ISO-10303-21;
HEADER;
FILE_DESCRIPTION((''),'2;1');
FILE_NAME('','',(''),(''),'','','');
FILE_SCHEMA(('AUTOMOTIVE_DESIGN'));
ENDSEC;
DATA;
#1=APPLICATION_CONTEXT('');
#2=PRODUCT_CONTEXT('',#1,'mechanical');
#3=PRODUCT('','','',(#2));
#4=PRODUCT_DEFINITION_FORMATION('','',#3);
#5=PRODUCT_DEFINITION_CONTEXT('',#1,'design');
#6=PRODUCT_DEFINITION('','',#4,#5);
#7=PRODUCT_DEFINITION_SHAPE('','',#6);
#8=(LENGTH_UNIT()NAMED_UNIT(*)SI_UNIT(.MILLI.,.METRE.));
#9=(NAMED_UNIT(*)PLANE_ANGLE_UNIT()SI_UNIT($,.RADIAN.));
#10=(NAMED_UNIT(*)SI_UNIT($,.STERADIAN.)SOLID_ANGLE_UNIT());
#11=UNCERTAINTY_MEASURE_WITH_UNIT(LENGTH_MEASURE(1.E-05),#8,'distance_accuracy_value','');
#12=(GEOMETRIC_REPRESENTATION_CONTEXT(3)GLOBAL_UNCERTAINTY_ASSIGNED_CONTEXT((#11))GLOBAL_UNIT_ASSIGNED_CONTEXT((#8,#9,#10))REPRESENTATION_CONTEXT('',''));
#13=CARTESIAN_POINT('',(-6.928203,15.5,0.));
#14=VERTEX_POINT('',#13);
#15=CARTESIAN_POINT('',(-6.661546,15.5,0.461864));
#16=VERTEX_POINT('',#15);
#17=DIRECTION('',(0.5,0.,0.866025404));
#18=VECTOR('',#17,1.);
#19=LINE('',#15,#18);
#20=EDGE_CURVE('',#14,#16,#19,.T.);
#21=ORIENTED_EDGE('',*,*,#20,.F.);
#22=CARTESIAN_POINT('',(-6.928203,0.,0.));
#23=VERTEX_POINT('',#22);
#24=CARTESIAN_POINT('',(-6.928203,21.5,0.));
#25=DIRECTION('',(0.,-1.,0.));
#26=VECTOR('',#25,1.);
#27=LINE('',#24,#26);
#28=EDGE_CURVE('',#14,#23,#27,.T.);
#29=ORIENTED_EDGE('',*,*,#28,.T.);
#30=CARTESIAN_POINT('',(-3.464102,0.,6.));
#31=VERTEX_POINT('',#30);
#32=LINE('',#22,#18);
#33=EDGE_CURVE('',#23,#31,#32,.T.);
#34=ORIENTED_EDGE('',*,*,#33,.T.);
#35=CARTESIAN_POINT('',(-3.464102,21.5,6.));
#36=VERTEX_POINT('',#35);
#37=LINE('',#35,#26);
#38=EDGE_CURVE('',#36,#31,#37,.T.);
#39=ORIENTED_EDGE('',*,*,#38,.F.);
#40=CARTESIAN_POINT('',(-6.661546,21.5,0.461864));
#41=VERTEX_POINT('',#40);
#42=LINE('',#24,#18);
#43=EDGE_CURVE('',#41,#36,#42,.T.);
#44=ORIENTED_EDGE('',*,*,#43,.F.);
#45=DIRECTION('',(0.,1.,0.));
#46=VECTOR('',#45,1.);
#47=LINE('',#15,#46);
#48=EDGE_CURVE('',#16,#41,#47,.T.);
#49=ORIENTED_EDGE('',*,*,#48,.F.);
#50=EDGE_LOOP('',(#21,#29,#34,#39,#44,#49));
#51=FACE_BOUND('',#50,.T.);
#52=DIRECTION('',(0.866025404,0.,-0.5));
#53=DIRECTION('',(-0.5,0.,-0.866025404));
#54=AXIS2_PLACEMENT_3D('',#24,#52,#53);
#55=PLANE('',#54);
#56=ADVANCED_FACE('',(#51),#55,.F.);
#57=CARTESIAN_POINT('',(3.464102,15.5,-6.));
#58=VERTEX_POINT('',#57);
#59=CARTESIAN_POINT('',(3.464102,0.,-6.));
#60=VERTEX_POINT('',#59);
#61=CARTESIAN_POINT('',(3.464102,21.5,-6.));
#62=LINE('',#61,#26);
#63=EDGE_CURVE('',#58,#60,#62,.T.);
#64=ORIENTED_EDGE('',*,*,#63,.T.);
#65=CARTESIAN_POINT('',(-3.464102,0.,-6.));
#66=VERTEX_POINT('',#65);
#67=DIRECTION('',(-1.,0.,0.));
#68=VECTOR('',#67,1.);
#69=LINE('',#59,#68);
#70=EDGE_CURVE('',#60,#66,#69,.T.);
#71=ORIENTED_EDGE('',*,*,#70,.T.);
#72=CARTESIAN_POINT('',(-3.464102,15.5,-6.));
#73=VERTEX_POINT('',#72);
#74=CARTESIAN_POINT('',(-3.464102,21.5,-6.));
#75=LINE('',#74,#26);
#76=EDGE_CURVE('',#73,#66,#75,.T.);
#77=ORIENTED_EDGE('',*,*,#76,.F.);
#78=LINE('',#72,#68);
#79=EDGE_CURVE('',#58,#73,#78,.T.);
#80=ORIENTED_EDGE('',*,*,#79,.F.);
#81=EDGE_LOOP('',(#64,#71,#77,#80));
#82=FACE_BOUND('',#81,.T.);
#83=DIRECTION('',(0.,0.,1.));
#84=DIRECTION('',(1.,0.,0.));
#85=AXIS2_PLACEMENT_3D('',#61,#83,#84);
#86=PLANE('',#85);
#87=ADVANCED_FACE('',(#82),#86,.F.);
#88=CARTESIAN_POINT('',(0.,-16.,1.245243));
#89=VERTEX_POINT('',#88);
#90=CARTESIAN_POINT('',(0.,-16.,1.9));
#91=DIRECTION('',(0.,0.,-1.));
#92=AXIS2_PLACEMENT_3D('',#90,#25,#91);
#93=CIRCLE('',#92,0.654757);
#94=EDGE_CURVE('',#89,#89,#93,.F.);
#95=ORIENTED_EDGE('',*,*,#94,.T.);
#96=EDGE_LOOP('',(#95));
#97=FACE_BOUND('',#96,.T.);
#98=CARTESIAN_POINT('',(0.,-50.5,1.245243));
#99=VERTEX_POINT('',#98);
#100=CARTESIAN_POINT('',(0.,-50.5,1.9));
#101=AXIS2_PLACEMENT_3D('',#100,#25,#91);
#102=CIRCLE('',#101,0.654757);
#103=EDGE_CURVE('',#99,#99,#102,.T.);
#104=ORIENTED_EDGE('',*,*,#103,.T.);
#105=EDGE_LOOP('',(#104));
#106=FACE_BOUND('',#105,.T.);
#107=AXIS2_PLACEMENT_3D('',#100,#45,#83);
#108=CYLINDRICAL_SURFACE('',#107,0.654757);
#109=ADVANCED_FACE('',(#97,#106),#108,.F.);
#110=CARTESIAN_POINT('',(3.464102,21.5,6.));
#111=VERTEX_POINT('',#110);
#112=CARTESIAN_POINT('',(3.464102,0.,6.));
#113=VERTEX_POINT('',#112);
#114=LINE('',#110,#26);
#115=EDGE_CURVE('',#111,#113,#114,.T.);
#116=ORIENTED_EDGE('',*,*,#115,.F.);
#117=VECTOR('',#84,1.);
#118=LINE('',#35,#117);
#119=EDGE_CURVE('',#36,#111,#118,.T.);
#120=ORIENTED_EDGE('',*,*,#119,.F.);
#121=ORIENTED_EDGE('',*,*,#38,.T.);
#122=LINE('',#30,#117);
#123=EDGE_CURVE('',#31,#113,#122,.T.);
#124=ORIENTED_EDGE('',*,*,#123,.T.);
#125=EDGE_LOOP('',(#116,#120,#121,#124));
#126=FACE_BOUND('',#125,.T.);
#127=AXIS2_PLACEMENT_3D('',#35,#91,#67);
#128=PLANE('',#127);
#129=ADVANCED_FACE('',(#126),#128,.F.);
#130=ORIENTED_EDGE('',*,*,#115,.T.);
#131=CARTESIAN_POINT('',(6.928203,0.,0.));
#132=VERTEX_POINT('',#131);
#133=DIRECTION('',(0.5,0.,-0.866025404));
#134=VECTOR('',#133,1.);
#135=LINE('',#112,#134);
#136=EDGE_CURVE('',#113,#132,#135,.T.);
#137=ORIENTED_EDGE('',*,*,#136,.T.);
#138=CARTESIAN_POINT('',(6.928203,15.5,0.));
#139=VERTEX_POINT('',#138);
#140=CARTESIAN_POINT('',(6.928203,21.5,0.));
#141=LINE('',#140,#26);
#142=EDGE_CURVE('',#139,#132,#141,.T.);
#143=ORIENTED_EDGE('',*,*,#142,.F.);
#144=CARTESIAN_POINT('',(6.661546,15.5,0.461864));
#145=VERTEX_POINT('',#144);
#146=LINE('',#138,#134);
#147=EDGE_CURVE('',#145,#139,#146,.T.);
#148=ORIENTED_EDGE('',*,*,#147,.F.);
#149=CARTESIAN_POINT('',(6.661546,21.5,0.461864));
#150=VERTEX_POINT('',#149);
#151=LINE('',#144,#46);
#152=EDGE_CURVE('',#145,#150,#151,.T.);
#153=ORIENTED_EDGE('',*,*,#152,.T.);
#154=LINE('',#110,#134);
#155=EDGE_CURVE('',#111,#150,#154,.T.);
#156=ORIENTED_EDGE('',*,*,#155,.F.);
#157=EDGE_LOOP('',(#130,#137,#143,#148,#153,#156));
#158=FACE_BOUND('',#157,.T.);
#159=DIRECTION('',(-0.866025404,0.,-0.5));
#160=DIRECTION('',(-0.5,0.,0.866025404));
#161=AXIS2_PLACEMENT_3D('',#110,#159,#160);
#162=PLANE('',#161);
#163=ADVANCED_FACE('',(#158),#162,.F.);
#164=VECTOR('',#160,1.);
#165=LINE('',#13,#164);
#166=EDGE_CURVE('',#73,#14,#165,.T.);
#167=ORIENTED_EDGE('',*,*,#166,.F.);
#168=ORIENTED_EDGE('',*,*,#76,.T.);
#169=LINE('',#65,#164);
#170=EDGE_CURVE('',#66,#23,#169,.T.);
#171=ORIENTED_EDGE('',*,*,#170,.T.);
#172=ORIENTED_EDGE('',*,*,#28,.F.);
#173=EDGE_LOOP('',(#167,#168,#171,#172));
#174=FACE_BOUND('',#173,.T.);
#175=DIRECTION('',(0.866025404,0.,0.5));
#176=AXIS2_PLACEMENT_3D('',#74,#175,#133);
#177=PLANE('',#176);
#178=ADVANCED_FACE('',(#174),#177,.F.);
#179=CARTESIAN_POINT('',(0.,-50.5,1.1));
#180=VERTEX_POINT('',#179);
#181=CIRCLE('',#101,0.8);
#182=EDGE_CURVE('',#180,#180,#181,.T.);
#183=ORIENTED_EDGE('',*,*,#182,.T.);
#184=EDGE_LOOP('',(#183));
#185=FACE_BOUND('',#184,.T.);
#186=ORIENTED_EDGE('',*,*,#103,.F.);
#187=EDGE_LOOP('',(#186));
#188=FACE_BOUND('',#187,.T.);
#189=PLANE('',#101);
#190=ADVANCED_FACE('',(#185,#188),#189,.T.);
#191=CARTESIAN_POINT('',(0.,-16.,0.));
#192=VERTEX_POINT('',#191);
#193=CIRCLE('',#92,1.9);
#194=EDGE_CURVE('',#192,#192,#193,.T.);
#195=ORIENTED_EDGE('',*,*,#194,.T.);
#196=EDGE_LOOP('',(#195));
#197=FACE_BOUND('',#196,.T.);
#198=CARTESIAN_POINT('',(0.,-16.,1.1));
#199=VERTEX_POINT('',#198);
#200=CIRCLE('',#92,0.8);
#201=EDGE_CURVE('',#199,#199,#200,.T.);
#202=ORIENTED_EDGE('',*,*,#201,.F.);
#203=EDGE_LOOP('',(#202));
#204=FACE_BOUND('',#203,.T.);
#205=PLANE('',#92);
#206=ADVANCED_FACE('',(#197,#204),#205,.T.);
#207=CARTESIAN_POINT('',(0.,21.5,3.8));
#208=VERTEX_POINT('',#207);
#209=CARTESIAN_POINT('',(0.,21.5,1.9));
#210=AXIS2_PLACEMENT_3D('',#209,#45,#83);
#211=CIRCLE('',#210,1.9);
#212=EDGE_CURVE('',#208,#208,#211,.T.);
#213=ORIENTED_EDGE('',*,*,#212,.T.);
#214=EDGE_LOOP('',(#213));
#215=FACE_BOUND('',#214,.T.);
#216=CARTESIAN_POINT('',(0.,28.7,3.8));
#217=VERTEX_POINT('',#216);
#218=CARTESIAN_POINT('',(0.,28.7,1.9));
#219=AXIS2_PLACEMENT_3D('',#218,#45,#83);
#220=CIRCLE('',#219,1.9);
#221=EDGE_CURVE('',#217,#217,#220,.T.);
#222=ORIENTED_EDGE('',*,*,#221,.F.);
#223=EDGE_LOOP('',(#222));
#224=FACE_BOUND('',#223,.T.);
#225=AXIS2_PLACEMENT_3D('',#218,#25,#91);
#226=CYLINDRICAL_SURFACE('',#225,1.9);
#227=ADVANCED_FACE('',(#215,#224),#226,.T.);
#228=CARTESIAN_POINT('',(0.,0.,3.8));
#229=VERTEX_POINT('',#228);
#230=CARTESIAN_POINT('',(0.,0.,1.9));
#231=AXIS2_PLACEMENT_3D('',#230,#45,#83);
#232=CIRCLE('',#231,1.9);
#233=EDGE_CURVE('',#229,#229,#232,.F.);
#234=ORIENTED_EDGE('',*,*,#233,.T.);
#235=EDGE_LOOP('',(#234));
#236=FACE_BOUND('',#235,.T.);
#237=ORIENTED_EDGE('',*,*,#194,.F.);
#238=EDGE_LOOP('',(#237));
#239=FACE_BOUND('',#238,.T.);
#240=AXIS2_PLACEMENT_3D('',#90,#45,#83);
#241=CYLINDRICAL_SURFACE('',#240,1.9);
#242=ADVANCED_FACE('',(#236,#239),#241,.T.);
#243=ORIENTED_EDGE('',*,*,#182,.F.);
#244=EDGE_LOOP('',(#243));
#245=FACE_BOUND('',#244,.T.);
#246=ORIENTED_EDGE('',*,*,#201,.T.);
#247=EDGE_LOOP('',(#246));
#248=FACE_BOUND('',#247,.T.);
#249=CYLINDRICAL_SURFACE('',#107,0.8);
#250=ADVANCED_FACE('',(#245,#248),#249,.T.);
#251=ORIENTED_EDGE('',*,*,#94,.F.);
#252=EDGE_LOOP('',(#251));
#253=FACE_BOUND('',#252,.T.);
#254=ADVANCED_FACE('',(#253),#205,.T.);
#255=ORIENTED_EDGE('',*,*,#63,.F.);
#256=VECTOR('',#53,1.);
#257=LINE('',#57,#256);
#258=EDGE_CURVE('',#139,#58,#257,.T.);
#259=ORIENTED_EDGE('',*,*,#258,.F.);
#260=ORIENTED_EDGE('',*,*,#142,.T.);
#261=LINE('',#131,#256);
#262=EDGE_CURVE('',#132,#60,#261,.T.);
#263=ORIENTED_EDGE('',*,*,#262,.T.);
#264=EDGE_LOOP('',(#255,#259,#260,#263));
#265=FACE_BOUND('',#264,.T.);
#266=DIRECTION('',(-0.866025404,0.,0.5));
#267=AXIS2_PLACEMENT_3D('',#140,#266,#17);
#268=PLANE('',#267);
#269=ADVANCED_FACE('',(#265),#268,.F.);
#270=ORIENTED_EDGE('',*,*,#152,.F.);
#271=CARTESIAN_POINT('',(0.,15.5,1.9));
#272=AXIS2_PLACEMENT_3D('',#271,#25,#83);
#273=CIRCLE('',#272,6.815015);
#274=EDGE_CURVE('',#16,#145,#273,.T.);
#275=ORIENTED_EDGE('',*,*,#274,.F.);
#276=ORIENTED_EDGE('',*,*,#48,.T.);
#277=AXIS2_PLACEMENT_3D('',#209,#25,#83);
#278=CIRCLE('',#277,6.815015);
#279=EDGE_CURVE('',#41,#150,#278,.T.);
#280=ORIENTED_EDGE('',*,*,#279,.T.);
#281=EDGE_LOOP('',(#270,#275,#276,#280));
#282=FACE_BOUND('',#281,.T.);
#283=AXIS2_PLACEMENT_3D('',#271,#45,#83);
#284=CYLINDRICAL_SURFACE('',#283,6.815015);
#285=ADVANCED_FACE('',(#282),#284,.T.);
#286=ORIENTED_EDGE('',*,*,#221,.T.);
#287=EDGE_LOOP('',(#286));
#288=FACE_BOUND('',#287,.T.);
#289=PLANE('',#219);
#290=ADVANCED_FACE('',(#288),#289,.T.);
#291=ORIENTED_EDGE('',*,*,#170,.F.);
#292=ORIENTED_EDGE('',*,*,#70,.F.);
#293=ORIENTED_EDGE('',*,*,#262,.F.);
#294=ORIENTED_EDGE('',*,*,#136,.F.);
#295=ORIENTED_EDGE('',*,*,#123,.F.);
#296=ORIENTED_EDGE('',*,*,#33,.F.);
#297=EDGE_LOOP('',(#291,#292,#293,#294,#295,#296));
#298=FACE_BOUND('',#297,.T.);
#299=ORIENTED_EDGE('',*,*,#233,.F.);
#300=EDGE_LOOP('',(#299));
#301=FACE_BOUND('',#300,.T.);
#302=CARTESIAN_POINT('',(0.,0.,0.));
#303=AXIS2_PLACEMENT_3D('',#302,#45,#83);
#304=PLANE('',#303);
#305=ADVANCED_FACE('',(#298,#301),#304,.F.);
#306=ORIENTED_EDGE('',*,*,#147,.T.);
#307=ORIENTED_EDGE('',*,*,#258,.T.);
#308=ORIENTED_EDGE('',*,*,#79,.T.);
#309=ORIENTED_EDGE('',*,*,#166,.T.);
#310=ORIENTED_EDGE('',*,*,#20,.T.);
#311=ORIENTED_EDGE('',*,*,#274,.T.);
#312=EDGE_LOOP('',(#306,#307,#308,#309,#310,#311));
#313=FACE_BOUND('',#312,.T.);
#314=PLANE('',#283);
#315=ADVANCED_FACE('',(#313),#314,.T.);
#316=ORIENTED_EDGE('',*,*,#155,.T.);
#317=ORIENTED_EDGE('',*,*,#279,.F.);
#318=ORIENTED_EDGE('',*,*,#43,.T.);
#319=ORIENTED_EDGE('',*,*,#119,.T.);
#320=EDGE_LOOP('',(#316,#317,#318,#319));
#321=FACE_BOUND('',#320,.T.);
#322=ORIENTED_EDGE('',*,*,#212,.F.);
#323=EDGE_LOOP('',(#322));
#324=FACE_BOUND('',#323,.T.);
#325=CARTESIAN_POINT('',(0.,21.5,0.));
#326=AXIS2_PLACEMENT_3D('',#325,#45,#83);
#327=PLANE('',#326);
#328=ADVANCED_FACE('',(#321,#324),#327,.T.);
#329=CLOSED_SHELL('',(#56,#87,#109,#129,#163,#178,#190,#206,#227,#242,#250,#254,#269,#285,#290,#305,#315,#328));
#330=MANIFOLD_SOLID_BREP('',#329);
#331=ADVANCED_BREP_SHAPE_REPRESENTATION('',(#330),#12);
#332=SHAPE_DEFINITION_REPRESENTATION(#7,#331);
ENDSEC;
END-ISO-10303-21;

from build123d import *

# Parameters (mm, degrees)
BOSS_EXTRUDE1_DEPTH = 21.5
SKETCH2_R           = 1.9
BOSS_EXTRUDE2_DEPTH = 7.2
CUT_EXTRUDE1_DEPTH  = 6
BOSS_EXTRUDE3_START = 16
SKETCH4_R           = 1.9
BOSS_EXTRUDE3_DEPTH = 16
SKETCH5_R           = 0.8
SKETCH5_R_2         = 0.654757234
BOSS_EXTRUDE4_DEPTH = 34.5


with BuildPart() as part:
    # Sketch1 → Boss-Extrude1 (new body)
    with BuildSketch(Plane(origin=(0, 0, 0), x_dir=(1, 0, 0), z_dir=(0, 1, 0))):
        Polygon((-6.92820323, 0), (-3.464101615, -6), (3.464101615, -6), (6.92820323, 0), (3.464101615, 6), (-3.464101615, 6), align=None)
    extrude(amount=BOSS_EXTRUDE1_DEPTH)

    # Sketch2 → Boss-Extrude2 (add)
    with BuildSketch(Plane(origin=(0, 21.5, 0), x_dir=(1, 0, 0), z_dir=(0, 1, 0))):
        with Locations(Location((0, -1.9, 0), (0, 0, 270))):
            Circle(SKETCH2_R)
    extrude(amount=BOSS_EXTRUDE2_DEPTH)

    # Sketch3 → Cut-Extrude1 (cut)
    with BuildSketch(Plane(origin=(0, 21.5, 0), x_dir=(1, 0, 0), z_dir=(0, 1, 0))):
        with BuildLine():
            Line((-6.661546125, -0.461863655), (-6.92820323, 0))
            Line((-6.92820323, 0), (-3.464101615, 6))
            Line((-3.464101615, 6), (3.464101615, 6))
            Line((3.464101615, 6), (6.92820323, 0))
            Line((6.92820323, 0), (6.661546125, -0.461863655))
            ThreePointArc((6.661546125, -0.461863655), (0, 4.915015255), (-6.661546125, -0.461863655))
        make_face()
    extrude(amount=-CUT_EXTRUDE1_DEPTH, mode=Mode.SUBTRACT)

    # Sketch4 → Boss-Extrude3 (add)
    with BuildSketch(Plane.XZ.offset(BOSS_EXTRUDE3_START)):
        with Locations(Location((0, 1.9, 0), (0, 0, 90))):
            Circle(SKETCH4_R)
    extrude(amount=-BOSS_EXTRUDE3_DEPTH)

    # Sketch5 → Boss-Extrude4 (add)
    with BuildSketch(Plane.XZ.offset(16)):
        with Locations(Location((0, 1.9, 0), (0, 0, 270))):
            Circle(SKETCH5_R)
        with Locations(Location((0, 1.9, 0), (0, 0, 270))):
            Circle(SKETCH5_R_2, mode=Mode.SUBTRACT)
    extrude(amount=BOSS_EXTRUDE4_DEPTH)


solid = part.part
